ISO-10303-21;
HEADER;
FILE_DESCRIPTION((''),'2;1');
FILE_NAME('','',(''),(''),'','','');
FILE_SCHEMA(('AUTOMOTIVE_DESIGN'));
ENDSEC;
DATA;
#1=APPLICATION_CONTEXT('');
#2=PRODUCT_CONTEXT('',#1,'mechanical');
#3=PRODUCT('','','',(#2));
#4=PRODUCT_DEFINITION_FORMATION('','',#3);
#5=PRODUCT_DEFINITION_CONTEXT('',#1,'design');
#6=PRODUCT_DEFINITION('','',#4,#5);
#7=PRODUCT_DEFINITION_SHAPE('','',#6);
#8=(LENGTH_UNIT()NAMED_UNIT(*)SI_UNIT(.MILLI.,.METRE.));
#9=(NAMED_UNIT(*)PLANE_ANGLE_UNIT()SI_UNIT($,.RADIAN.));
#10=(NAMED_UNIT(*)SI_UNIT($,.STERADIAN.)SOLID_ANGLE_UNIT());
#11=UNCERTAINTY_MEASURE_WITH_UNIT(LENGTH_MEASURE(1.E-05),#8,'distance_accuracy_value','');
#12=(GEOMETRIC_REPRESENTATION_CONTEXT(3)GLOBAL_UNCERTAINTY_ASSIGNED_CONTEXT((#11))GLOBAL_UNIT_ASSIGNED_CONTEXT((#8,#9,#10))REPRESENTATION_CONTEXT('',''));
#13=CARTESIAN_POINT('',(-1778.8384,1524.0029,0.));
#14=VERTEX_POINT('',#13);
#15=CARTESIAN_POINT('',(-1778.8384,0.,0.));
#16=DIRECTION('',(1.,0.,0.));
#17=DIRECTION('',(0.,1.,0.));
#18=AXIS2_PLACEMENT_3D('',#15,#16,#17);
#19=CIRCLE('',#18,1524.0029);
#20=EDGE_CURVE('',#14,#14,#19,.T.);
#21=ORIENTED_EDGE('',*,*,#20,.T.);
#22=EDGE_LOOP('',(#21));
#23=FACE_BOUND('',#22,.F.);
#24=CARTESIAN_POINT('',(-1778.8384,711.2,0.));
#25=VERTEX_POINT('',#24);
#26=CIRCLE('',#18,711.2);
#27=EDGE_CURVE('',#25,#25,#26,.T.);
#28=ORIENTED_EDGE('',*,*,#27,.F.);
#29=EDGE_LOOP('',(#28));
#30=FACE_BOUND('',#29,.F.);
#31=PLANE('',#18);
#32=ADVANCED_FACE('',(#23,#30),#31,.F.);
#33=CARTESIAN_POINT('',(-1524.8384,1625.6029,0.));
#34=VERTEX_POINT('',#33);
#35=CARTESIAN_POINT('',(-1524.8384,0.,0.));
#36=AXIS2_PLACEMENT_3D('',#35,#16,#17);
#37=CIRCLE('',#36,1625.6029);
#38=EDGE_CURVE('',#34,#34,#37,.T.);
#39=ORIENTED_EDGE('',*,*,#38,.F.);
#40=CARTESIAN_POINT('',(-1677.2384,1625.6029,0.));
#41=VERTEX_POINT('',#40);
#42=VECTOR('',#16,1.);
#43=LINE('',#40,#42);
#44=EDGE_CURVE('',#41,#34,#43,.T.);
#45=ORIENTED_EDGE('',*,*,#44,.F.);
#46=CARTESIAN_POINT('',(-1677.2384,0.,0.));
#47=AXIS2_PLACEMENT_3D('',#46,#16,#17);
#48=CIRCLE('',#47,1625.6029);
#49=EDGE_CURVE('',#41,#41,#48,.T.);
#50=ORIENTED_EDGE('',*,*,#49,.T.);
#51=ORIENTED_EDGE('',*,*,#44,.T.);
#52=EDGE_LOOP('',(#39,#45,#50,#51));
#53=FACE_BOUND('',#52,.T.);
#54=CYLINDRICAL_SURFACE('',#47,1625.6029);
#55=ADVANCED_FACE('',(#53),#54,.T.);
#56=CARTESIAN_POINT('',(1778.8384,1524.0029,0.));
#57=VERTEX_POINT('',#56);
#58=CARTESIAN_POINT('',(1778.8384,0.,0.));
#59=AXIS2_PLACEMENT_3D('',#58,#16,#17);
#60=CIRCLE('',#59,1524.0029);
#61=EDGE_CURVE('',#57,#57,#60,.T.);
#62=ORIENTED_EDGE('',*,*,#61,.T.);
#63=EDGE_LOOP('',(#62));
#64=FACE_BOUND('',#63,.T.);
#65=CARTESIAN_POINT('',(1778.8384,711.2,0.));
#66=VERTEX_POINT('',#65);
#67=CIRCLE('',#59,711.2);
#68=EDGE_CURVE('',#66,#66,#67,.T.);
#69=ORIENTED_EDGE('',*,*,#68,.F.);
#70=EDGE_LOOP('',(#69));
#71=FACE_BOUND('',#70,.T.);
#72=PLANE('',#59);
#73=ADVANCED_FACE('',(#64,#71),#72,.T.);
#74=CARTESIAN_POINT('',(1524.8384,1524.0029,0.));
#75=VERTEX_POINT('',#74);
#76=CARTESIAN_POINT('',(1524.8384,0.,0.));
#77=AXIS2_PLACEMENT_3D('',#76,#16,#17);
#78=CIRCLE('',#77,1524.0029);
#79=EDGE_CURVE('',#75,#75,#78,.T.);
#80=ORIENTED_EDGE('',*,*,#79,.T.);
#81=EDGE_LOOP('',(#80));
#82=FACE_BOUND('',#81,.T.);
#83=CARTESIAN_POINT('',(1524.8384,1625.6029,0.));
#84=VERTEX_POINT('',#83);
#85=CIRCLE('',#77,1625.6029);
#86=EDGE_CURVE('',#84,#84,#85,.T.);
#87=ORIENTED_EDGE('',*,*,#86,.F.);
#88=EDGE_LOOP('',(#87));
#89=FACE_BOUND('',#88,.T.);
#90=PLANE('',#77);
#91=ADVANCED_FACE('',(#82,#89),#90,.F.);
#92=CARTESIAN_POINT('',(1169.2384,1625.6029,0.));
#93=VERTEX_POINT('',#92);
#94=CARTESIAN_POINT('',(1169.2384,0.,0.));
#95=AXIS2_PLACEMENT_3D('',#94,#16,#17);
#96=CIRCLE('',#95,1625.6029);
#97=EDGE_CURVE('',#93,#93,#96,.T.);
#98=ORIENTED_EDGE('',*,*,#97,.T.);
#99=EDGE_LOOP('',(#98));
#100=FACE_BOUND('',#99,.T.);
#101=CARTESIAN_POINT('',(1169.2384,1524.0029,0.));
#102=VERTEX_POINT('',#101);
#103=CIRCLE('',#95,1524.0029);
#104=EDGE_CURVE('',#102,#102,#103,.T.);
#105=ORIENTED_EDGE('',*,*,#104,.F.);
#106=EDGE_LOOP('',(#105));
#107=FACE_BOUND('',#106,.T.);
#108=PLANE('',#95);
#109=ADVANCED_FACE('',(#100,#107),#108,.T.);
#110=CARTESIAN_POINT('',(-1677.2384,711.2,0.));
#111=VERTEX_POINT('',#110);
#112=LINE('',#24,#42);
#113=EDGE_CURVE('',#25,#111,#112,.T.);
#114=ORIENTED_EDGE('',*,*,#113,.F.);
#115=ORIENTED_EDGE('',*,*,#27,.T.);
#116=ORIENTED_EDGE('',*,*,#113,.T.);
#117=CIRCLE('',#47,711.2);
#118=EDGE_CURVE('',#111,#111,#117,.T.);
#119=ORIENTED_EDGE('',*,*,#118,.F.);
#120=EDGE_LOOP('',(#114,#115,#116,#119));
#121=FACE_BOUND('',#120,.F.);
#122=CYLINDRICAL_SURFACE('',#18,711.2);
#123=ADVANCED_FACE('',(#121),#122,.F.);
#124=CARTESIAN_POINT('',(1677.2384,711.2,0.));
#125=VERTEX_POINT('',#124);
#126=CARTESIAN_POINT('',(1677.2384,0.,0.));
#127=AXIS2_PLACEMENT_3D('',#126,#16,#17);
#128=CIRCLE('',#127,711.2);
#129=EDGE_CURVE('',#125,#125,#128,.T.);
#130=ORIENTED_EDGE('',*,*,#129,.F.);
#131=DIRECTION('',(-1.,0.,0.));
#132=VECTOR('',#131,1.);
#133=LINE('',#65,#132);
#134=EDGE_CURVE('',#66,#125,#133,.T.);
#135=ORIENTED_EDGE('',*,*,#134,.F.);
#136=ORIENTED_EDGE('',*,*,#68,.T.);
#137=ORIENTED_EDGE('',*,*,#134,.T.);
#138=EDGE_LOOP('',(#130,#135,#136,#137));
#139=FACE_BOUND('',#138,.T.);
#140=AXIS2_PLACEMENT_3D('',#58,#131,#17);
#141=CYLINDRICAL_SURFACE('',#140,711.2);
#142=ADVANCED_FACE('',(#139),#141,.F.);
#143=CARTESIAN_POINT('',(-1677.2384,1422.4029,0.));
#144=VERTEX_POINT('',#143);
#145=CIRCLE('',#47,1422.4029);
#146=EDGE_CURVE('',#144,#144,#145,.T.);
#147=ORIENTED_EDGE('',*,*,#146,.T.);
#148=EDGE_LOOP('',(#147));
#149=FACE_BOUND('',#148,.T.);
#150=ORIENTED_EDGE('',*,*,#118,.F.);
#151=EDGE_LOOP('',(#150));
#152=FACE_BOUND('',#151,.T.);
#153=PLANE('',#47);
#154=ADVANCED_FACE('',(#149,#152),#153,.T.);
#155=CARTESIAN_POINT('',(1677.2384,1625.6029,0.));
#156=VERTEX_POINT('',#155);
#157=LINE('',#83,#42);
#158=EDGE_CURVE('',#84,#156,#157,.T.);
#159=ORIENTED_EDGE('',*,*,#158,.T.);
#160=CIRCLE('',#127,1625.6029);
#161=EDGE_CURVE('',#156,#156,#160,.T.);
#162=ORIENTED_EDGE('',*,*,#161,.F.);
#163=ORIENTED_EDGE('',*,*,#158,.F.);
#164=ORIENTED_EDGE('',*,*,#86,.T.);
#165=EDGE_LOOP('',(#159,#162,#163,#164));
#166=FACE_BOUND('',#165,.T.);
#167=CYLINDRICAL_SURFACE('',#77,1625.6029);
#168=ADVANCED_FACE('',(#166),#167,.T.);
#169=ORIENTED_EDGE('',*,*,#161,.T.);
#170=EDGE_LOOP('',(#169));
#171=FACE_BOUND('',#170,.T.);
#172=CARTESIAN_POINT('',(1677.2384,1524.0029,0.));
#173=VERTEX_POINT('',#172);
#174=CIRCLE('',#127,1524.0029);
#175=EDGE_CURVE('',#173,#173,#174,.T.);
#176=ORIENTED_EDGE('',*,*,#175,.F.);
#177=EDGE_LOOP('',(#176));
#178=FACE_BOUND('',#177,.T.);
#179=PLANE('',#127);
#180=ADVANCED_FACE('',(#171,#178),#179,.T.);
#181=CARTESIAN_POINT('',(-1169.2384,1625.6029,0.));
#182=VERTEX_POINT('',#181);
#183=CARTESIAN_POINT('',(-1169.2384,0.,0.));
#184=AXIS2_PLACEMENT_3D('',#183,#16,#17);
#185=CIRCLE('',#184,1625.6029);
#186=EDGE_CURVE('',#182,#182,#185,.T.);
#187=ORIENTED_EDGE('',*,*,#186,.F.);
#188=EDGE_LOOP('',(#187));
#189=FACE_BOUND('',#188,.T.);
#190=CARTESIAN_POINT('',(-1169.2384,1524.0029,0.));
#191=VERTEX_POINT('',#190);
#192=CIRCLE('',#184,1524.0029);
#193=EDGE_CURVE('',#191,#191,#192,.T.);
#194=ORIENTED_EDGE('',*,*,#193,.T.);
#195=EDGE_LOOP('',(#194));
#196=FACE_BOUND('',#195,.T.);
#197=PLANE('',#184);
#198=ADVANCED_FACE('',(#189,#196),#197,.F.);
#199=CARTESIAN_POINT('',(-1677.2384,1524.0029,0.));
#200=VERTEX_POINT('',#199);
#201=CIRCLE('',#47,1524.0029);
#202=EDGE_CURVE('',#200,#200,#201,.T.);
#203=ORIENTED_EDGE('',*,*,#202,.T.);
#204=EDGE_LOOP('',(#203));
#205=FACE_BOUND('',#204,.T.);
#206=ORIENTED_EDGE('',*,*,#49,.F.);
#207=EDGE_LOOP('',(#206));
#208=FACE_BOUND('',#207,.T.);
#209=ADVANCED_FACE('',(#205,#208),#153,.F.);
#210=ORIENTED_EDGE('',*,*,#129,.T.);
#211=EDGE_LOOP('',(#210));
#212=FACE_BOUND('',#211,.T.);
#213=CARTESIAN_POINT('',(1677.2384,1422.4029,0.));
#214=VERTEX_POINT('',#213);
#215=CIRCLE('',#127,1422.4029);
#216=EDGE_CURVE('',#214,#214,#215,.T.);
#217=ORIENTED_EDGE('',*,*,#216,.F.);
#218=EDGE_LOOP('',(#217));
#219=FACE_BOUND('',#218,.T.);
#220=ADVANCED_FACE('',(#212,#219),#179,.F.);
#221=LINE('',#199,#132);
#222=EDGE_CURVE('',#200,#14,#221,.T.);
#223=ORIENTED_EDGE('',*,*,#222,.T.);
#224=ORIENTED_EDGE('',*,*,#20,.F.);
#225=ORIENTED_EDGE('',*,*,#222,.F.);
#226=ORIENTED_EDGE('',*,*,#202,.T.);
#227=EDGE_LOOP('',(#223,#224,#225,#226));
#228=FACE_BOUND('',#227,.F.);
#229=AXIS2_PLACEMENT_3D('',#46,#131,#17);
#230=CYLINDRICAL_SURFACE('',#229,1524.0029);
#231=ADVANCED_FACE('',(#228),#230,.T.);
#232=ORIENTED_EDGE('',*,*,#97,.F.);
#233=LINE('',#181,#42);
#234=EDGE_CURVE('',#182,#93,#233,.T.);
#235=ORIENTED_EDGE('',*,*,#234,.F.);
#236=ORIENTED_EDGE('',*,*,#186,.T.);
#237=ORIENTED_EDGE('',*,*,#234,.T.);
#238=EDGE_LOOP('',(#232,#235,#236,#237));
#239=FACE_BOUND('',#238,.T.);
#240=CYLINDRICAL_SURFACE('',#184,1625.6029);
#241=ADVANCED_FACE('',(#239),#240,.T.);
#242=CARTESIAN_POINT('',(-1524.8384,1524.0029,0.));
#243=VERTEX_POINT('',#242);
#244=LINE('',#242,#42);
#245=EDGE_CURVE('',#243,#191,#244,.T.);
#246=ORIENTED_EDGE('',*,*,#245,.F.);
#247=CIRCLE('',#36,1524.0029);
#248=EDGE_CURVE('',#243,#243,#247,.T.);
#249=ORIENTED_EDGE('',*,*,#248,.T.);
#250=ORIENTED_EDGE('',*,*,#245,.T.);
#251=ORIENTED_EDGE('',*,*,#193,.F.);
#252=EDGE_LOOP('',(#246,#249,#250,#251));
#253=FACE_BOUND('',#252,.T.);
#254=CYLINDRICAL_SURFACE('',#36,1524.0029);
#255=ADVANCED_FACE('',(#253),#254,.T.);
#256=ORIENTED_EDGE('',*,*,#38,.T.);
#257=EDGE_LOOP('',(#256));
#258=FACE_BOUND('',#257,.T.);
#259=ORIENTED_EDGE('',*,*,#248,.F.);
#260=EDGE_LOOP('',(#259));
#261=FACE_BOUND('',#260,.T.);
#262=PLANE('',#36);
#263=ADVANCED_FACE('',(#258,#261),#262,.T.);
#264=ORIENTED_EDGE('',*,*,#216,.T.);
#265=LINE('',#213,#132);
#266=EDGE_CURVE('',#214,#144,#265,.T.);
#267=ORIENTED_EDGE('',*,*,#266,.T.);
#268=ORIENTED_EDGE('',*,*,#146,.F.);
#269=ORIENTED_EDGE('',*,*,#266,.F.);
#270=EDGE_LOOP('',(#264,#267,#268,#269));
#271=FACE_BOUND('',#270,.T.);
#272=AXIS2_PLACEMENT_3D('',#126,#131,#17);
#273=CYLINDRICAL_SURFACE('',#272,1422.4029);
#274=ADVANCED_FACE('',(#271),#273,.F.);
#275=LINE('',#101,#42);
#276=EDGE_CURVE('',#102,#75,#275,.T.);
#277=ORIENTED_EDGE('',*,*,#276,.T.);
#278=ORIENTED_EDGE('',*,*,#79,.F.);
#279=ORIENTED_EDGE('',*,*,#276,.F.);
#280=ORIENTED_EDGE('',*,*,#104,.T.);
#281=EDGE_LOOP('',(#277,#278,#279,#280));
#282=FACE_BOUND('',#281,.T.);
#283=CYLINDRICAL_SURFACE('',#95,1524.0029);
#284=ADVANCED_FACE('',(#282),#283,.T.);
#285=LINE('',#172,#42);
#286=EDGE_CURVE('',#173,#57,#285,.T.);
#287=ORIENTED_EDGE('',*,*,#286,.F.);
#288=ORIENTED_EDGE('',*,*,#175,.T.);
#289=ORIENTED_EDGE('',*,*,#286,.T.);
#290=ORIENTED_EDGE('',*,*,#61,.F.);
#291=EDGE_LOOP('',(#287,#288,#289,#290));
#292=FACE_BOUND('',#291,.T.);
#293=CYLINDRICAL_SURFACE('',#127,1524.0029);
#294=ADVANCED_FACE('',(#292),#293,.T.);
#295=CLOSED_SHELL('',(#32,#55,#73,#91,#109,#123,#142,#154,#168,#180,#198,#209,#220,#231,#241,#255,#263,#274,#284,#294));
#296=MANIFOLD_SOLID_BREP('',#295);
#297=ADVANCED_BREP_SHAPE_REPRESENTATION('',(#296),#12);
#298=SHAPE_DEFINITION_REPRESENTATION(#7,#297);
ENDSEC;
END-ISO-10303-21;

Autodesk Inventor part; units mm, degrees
ref_plane "YZ Plane" through (0, 0, 0) normal (1, 0, 0) x (0, 1, 0)
ref_plane "XZ Plane" through (0, 0, 0) normal (0, 1, 0) x (-1, 0, 0)
ref_plane "XY Plane" through (0, 0, 0) normal (0, 0, 1) x (1, 0, 0)
sketch "Sketch1" plane through (0, 0, 0) normal (0, 0, 1) x (1, 0, 0)
  line L0 (1524.8384, 1524.0029) -> (1524.8384, 1625.6029)
  line L1 (1524.8384, 1625.6029) -> (1677.2384, 1625.6029)
  line L2 (1677.2384, 1625.6029) -> (1677.2384, 1524.0029)
  line L3 (1677.2384, 1422.4029) -> (-1677.2384, 1422.4029)
  line L4 (-1677.2384, 1524.0029) -> (-1677.2384, 1625.6029)
  line L5 (-1677.2384, 1625.6029) -> (-1524.8384, 1625.6029)
  line L6 (-1524.8384, 1625.6029) -> (-1524.8384, 1524.0029)
  line L7 (0, 0) -> (0, 1422.4029) construction
  line L8 (-1778.8384, 0) -> (1778.8384, 0) construction
  line L9 (-1677.2384, 1524.0029) -> (-1778.8384, 1524.0029)
  line L10 (-1778.8384, 1524.0029) -> (-1778.8384, 711.2)
  line L11 (-1778.8384, 711.2) -> (-1677.2384, 711.2)
  line L12 (-1677.2384, 1422.4029) -> (-1677.2384, 711.2)
  line L13 (1677.2384, 1524.0029) -> (1778.8384, 1524.0029)
  line L14 (1778.8384, 1524.0029) -> (1778.8384, 711.2)
  line L15 (1778.8384, 711.2) -> (1677.2384, 711.2)
  line L16 (1677.2384, 711.2) -> (1677.2384, 1422.4029)
  line L17 (-1169.2384, 1524.0029) -> (-1169.2384, 1625.6029)
  line L18 (-1169.2384, 1625.6029) -> (1169.2384, 1625.6029)
  line L19 (1169.2384, 1625.6029) -> (1169.2384, 1524.0029)
  line L20 (-1524.8384, 1524.0029) -> (-1169.2384, 1524.0029)
  line L21 (1169.2384, 1524.0029) -> (1524.8384, 1524.0029)
  line L22 (0, 711.2) -> (0, -711.2) construction
  line L23 (-1524.8384, -2097.6769) -> (-1524.8384, 2097.6769) construction
  line L24 (1167.5616, -2093.8572) -> (1167.5616, 2101.4966) construction
  line L25 (-1169.2384, 2097.6769) -> (-1169.2384, -2097.6769) construction
  line L26 (1523.1616, 2101.4966) -> (1523.1616, -2093.8572) construction
  line L27 (-1474.0384, -1524.0029) -> (-1474.0384, 1524.0029) construction
  line L28 (-1220.0384, 1524.0029) -> (-1220.0384, -1524.0029) construction
revolve "Revolution1" add sketch "Sketch1" angle 360 about axis through (-1778.8384, 0, 0) along (1, 0, 0)
properties part number "OutsideMiddleShaftCJE" material "Steel, Alloy"
